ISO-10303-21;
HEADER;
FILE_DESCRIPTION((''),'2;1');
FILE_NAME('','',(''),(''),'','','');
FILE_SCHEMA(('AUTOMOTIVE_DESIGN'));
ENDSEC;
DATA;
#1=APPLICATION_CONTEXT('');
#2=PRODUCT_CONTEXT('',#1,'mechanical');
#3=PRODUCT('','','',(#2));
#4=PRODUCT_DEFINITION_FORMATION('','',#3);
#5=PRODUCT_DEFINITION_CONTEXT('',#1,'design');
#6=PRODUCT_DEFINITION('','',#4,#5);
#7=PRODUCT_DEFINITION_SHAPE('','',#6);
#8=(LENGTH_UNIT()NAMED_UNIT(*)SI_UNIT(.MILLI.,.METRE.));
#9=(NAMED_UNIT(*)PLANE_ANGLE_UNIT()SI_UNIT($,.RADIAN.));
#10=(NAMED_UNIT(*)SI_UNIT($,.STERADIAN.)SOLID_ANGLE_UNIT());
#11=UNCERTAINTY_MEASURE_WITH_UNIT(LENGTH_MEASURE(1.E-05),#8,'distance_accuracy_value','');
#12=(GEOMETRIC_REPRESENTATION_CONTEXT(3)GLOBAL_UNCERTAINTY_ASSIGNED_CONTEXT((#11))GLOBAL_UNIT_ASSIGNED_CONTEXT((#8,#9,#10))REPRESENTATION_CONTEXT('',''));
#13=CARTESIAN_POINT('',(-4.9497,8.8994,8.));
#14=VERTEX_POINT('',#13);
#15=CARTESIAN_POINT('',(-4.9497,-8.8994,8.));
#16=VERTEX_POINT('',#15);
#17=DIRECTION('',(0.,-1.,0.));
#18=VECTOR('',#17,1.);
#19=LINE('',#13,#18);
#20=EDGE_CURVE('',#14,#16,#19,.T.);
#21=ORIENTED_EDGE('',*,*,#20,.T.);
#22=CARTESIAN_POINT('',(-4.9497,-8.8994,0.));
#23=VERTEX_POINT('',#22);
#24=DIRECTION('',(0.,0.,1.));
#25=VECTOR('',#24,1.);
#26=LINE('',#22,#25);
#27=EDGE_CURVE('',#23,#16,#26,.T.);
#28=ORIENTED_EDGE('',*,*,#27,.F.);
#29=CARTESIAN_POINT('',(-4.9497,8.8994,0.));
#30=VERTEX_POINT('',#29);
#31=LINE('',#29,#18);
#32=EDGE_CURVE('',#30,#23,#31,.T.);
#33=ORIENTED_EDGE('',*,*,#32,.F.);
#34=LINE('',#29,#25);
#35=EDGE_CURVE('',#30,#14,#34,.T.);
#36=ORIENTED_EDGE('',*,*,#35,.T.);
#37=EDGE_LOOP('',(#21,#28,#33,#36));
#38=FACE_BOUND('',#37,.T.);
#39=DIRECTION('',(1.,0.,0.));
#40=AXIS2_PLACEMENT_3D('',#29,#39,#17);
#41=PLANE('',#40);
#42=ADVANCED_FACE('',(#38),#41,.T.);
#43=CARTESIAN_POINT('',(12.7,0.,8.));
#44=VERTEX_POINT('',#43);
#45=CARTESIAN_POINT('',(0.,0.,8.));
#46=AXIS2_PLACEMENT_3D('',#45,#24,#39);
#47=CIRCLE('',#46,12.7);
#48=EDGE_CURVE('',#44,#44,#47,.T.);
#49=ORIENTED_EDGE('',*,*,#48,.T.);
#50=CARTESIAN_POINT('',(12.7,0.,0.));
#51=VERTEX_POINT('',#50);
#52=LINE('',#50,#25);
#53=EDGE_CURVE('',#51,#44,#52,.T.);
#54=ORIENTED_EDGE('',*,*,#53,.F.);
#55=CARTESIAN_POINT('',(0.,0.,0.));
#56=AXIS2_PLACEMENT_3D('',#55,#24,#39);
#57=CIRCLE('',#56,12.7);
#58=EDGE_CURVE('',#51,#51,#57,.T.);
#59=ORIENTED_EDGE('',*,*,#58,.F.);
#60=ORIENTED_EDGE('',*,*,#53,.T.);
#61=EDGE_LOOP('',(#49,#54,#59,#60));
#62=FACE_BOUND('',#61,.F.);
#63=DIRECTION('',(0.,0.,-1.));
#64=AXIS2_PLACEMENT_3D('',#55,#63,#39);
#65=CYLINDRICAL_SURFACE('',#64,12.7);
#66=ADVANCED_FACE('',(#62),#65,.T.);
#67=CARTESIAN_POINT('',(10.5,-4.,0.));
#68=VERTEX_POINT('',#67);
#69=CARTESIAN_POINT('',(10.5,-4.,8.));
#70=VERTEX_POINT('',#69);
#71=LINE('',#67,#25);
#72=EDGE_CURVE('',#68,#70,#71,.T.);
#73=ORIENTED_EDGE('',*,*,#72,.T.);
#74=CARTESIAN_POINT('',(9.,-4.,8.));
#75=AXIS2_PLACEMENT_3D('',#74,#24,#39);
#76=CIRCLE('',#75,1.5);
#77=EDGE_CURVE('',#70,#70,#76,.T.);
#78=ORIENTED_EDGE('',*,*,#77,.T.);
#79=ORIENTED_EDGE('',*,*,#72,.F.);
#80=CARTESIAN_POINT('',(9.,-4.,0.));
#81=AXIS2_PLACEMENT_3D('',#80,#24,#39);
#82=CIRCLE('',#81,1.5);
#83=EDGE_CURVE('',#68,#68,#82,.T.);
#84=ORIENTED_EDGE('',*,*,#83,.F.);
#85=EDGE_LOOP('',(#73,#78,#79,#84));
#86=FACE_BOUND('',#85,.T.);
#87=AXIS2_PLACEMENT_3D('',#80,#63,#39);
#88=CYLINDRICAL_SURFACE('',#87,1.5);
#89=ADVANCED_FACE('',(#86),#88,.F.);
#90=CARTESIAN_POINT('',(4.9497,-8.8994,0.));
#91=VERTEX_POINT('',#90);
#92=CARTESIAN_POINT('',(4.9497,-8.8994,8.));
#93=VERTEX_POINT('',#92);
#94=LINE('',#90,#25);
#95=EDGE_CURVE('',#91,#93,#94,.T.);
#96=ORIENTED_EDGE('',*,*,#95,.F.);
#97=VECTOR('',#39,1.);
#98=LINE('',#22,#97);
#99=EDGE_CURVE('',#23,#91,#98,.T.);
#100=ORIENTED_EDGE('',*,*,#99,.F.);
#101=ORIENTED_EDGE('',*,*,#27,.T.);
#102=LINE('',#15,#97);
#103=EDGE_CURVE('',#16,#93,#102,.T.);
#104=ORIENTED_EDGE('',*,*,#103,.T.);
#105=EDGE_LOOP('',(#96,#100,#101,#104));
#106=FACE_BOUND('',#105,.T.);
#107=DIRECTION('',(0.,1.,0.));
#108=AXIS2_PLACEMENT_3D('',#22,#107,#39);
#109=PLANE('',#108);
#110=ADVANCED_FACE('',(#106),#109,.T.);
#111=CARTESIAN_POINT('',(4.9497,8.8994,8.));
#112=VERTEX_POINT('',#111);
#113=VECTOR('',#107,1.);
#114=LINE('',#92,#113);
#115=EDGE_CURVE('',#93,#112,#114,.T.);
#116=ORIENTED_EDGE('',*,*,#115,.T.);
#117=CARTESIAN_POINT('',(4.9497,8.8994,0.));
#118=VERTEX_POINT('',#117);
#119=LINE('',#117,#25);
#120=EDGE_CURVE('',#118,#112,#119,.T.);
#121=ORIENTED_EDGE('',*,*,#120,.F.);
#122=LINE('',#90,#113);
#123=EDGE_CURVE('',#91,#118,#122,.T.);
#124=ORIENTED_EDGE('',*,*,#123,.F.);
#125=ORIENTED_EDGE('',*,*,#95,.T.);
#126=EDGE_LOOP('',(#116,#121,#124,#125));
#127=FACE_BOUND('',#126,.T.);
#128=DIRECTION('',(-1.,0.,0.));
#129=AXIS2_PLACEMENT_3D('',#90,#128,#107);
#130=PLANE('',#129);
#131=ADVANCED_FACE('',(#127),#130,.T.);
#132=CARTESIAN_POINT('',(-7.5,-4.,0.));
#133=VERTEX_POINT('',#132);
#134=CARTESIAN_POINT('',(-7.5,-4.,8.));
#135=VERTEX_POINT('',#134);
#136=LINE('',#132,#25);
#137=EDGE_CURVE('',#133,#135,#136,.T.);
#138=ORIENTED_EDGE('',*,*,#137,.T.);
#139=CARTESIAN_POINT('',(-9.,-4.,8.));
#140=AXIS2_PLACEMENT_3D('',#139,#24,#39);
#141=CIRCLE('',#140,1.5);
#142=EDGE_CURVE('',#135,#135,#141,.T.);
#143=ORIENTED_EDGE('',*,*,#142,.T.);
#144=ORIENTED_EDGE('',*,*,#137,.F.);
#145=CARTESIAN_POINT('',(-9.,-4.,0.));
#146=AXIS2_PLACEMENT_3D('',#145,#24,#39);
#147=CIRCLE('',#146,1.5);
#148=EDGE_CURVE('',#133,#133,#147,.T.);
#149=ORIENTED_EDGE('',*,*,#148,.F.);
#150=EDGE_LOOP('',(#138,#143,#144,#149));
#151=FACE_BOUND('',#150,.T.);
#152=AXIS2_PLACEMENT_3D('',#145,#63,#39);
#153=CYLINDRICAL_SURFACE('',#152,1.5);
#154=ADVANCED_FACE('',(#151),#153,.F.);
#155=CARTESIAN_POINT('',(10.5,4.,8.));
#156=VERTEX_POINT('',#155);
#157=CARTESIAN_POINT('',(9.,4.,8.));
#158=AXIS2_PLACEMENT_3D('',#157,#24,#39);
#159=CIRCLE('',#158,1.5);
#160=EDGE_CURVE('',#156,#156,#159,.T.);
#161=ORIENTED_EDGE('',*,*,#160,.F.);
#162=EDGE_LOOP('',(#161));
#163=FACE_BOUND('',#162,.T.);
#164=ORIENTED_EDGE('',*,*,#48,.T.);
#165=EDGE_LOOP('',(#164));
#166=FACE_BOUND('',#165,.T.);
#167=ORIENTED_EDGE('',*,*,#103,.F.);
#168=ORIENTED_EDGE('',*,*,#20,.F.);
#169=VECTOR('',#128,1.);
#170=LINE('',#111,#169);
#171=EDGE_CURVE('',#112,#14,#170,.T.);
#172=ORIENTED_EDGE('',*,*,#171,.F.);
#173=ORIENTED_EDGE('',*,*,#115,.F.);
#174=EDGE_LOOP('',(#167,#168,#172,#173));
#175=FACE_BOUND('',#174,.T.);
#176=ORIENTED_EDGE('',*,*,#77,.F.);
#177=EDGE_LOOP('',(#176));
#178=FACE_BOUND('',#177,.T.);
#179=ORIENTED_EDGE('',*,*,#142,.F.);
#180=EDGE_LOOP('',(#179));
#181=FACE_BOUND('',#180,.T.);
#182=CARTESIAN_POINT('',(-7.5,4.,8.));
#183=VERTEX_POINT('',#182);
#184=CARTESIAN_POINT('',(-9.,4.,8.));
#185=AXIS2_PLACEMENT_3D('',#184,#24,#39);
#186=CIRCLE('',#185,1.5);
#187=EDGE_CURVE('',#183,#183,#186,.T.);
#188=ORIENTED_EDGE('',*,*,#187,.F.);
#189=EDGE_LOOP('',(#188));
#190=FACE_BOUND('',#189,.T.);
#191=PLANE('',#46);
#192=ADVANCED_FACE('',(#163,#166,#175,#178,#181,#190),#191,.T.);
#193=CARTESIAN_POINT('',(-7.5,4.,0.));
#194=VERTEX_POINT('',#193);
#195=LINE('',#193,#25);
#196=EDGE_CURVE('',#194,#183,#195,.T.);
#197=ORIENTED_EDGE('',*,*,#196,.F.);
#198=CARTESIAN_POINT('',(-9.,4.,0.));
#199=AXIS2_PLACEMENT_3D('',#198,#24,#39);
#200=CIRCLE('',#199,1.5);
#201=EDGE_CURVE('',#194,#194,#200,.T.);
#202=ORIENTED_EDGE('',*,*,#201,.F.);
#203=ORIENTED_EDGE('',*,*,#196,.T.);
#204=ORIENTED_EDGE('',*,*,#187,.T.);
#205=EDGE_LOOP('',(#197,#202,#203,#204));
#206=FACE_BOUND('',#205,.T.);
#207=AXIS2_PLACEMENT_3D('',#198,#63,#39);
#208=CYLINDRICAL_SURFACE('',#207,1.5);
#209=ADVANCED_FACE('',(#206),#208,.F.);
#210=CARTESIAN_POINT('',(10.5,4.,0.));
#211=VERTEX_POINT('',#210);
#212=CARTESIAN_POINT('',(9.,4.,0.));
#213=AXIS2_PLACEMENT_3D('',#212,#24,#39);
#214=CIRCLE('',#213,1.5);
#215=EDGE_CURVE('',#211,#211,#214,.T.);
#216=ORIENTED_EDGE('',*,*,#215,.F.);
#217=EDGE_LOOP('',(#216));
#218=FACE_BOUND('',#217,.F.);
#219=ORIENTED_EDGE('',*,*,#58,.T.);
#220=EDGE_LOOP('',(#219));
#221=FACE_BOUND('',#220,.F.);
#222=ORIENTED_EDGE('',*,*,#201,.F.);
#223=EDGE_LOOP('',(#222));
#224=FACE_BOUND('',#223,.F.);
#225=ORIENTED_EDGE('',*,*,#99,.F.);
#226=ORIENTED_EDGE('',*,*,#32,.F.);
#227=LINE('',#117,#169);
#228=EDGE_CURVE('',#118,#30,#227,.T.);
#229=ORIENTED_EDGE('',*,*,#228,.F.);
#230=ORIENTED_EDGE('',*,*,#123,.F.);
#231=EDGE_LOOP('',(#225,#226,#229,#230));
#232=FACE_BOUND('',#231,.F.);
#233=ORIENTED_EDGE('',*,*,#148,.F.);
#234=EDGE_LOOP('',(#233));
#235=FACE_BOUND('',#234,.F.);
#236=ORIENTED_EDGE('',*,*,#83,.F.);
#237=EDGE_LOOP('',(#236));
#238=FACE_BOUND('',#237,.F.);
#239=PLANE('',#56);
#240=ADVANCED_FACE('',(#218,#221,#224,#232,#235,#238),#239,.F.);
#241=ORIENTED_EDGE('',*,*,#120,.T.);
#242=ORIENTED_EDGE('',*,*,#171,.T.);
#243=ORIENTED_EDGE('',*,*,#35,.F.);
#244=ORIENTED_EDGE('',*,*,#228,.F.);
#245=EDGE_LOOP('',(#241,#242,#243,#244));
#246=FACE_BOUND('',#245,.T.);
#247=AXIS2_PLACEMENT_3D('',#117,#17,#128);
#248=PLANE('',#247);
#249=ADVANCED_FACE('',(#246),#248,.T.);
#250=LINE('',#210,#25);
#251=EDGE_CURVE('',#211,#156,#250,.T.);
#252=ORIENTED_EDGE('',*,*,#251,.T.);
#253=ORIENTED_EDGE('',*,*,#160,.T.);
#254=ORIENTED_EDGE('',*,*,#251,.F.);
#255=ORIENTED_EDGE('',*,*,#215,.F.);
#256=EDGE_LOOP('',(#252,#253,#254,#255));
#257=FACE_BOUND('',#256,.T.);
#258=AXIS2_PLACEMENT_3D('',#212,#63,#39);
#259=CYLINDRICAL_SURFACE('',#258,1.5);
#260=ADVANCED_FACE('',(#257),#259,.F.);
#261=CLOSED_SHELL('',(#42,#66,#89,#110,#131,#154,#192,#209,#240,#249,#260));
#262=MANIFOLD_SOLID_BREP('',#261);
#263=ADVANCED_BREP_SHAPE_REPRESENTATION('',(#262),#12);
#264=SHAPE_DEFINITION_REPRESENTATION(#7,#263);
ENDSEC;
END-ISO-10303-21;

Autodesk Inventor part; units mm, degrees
ref_plane "YZ Plane" through (0, 0, 0) normal (1, 0, 0) x (0, 1, 0)
ref_plane "XZ Plane" through (0, 0, 0) normal (0, 1, 0) x (-1, 0, 0)
ref_plane "XY Plane" through (0, 0, 0) normal (0, 0, 1) x (1, 0, 0)
sketch "Sketch3" plane through (0, 0, 0) normal (0, 0, 1) x (1, 0, 0)
  line L0 (-15.8918, -16.7) -> (15.8918, -16.7)
  line L1 (16.7, -15.7) -> (16.7, 15.7)
  line L2 (15.8918, 16.7) -> (-15.8918, 16.7)
  line L3 (-16.7, 15.7) -> (-16.7, -15.7)
  line L4 (-15.8918, 16.7) -> (-16.7, 15.7)
  line L5 (15.8918, 16.7) -> (16.7, 15.7)
  line L6 (16.7, -15.7) -> (15.8918, -16.7)
  line L7 (-16.7, -15.7) -> (-15.8918, -16.7)
  line L8 (-4.9497, -8.8994) -> (4.9497, -8.8994)
  line L9 (4.9497, -8.8994) -> (4.9497, 8.8994)
  line L10 (4.9497, 8.8994) -> (-4.9497, 8.8994)
  line L11 (-4.9497, 8.8994) -> (-4.9497, -8.8994)
  circle A0 centre (-12.14, 12.625) radius 2.045
  circle A1 centre (12.14, 12.625) radius 2.045
  line L12 (0, -16.7) -> (0, 16.7) construction
  circle A2 centre (-12.14, -12.625) radius 2.045
  circle A3 centre (12.14, -12.625) radius 2.045
  line L13 (12.14, 12.625) -> (-12.14, 12.625) construction
  line L14 (-12.14, 12.625) -> (-12.14, -12.625) construction
  line L15 (-12.14, -12.625) -> (12.14, -12.625) construction
  line L16 (12.14, -12.625) -> (12.14, 12.625) construction
  line L17 (-16.7, 0) -> (16.7, 0) construction
  circle A4 centre (0, 0) radius 18.4 construction
  circle A5 centre (-9, 4) radius 1.5
  circle A6 centre (9, 4) radius 1.5
  circle A7 centre (-9, -4) radius 1.5
  circle A8 centre (9, -4) radius 1.5
  dimension "d10" = 9.8994
  dimension "d11" = 17.7988
  dimension "d12" = 4.09
  dimension "d13" = 4.09
  dimension "d17" = 4.09
  dimension "d19" = 24.28
  dimension "d20" = 25.25
  dimension "d21" = 4.09
  dimension "d22" = 12.625
  dimension "d26" = 36.8
  dimension "d38" = 12.14
  dimension "d39" = 33.4
  dimension "d40" = 33.4
  dimension "d45" = 3
  dimension "d46" = 3
  dimension "d47" = 3
  dimension "d48" = 3
  dimension "d49" = 4
  dimension "d57" = 8.8994
  dimension "d58" = 4.9497
  dimension "d59" = 9
  dimension "d60" = 9
  dimension "d61" = 9
  dimension "d62" = 9
  dimension "d63" = 4
  dimension "d64" = 4
  dimension "d65" = 4
sketch "Sketch4" plane through (0, 0, 0) normal (0, 0, 1) x (1, 0, 0)
  circle A0 centre (0, 0) radius 12.7
  dimension "d32" = 25.4
extrude "Extrusion5" add sketch "Sketch3" along normal blind 8
extrude "Extrusion6" cut sketch "Sketch4" along normal blind 8 keep common part
properties part number "WG18FLANGECutDown" material "Brass, Soft Yellow"
